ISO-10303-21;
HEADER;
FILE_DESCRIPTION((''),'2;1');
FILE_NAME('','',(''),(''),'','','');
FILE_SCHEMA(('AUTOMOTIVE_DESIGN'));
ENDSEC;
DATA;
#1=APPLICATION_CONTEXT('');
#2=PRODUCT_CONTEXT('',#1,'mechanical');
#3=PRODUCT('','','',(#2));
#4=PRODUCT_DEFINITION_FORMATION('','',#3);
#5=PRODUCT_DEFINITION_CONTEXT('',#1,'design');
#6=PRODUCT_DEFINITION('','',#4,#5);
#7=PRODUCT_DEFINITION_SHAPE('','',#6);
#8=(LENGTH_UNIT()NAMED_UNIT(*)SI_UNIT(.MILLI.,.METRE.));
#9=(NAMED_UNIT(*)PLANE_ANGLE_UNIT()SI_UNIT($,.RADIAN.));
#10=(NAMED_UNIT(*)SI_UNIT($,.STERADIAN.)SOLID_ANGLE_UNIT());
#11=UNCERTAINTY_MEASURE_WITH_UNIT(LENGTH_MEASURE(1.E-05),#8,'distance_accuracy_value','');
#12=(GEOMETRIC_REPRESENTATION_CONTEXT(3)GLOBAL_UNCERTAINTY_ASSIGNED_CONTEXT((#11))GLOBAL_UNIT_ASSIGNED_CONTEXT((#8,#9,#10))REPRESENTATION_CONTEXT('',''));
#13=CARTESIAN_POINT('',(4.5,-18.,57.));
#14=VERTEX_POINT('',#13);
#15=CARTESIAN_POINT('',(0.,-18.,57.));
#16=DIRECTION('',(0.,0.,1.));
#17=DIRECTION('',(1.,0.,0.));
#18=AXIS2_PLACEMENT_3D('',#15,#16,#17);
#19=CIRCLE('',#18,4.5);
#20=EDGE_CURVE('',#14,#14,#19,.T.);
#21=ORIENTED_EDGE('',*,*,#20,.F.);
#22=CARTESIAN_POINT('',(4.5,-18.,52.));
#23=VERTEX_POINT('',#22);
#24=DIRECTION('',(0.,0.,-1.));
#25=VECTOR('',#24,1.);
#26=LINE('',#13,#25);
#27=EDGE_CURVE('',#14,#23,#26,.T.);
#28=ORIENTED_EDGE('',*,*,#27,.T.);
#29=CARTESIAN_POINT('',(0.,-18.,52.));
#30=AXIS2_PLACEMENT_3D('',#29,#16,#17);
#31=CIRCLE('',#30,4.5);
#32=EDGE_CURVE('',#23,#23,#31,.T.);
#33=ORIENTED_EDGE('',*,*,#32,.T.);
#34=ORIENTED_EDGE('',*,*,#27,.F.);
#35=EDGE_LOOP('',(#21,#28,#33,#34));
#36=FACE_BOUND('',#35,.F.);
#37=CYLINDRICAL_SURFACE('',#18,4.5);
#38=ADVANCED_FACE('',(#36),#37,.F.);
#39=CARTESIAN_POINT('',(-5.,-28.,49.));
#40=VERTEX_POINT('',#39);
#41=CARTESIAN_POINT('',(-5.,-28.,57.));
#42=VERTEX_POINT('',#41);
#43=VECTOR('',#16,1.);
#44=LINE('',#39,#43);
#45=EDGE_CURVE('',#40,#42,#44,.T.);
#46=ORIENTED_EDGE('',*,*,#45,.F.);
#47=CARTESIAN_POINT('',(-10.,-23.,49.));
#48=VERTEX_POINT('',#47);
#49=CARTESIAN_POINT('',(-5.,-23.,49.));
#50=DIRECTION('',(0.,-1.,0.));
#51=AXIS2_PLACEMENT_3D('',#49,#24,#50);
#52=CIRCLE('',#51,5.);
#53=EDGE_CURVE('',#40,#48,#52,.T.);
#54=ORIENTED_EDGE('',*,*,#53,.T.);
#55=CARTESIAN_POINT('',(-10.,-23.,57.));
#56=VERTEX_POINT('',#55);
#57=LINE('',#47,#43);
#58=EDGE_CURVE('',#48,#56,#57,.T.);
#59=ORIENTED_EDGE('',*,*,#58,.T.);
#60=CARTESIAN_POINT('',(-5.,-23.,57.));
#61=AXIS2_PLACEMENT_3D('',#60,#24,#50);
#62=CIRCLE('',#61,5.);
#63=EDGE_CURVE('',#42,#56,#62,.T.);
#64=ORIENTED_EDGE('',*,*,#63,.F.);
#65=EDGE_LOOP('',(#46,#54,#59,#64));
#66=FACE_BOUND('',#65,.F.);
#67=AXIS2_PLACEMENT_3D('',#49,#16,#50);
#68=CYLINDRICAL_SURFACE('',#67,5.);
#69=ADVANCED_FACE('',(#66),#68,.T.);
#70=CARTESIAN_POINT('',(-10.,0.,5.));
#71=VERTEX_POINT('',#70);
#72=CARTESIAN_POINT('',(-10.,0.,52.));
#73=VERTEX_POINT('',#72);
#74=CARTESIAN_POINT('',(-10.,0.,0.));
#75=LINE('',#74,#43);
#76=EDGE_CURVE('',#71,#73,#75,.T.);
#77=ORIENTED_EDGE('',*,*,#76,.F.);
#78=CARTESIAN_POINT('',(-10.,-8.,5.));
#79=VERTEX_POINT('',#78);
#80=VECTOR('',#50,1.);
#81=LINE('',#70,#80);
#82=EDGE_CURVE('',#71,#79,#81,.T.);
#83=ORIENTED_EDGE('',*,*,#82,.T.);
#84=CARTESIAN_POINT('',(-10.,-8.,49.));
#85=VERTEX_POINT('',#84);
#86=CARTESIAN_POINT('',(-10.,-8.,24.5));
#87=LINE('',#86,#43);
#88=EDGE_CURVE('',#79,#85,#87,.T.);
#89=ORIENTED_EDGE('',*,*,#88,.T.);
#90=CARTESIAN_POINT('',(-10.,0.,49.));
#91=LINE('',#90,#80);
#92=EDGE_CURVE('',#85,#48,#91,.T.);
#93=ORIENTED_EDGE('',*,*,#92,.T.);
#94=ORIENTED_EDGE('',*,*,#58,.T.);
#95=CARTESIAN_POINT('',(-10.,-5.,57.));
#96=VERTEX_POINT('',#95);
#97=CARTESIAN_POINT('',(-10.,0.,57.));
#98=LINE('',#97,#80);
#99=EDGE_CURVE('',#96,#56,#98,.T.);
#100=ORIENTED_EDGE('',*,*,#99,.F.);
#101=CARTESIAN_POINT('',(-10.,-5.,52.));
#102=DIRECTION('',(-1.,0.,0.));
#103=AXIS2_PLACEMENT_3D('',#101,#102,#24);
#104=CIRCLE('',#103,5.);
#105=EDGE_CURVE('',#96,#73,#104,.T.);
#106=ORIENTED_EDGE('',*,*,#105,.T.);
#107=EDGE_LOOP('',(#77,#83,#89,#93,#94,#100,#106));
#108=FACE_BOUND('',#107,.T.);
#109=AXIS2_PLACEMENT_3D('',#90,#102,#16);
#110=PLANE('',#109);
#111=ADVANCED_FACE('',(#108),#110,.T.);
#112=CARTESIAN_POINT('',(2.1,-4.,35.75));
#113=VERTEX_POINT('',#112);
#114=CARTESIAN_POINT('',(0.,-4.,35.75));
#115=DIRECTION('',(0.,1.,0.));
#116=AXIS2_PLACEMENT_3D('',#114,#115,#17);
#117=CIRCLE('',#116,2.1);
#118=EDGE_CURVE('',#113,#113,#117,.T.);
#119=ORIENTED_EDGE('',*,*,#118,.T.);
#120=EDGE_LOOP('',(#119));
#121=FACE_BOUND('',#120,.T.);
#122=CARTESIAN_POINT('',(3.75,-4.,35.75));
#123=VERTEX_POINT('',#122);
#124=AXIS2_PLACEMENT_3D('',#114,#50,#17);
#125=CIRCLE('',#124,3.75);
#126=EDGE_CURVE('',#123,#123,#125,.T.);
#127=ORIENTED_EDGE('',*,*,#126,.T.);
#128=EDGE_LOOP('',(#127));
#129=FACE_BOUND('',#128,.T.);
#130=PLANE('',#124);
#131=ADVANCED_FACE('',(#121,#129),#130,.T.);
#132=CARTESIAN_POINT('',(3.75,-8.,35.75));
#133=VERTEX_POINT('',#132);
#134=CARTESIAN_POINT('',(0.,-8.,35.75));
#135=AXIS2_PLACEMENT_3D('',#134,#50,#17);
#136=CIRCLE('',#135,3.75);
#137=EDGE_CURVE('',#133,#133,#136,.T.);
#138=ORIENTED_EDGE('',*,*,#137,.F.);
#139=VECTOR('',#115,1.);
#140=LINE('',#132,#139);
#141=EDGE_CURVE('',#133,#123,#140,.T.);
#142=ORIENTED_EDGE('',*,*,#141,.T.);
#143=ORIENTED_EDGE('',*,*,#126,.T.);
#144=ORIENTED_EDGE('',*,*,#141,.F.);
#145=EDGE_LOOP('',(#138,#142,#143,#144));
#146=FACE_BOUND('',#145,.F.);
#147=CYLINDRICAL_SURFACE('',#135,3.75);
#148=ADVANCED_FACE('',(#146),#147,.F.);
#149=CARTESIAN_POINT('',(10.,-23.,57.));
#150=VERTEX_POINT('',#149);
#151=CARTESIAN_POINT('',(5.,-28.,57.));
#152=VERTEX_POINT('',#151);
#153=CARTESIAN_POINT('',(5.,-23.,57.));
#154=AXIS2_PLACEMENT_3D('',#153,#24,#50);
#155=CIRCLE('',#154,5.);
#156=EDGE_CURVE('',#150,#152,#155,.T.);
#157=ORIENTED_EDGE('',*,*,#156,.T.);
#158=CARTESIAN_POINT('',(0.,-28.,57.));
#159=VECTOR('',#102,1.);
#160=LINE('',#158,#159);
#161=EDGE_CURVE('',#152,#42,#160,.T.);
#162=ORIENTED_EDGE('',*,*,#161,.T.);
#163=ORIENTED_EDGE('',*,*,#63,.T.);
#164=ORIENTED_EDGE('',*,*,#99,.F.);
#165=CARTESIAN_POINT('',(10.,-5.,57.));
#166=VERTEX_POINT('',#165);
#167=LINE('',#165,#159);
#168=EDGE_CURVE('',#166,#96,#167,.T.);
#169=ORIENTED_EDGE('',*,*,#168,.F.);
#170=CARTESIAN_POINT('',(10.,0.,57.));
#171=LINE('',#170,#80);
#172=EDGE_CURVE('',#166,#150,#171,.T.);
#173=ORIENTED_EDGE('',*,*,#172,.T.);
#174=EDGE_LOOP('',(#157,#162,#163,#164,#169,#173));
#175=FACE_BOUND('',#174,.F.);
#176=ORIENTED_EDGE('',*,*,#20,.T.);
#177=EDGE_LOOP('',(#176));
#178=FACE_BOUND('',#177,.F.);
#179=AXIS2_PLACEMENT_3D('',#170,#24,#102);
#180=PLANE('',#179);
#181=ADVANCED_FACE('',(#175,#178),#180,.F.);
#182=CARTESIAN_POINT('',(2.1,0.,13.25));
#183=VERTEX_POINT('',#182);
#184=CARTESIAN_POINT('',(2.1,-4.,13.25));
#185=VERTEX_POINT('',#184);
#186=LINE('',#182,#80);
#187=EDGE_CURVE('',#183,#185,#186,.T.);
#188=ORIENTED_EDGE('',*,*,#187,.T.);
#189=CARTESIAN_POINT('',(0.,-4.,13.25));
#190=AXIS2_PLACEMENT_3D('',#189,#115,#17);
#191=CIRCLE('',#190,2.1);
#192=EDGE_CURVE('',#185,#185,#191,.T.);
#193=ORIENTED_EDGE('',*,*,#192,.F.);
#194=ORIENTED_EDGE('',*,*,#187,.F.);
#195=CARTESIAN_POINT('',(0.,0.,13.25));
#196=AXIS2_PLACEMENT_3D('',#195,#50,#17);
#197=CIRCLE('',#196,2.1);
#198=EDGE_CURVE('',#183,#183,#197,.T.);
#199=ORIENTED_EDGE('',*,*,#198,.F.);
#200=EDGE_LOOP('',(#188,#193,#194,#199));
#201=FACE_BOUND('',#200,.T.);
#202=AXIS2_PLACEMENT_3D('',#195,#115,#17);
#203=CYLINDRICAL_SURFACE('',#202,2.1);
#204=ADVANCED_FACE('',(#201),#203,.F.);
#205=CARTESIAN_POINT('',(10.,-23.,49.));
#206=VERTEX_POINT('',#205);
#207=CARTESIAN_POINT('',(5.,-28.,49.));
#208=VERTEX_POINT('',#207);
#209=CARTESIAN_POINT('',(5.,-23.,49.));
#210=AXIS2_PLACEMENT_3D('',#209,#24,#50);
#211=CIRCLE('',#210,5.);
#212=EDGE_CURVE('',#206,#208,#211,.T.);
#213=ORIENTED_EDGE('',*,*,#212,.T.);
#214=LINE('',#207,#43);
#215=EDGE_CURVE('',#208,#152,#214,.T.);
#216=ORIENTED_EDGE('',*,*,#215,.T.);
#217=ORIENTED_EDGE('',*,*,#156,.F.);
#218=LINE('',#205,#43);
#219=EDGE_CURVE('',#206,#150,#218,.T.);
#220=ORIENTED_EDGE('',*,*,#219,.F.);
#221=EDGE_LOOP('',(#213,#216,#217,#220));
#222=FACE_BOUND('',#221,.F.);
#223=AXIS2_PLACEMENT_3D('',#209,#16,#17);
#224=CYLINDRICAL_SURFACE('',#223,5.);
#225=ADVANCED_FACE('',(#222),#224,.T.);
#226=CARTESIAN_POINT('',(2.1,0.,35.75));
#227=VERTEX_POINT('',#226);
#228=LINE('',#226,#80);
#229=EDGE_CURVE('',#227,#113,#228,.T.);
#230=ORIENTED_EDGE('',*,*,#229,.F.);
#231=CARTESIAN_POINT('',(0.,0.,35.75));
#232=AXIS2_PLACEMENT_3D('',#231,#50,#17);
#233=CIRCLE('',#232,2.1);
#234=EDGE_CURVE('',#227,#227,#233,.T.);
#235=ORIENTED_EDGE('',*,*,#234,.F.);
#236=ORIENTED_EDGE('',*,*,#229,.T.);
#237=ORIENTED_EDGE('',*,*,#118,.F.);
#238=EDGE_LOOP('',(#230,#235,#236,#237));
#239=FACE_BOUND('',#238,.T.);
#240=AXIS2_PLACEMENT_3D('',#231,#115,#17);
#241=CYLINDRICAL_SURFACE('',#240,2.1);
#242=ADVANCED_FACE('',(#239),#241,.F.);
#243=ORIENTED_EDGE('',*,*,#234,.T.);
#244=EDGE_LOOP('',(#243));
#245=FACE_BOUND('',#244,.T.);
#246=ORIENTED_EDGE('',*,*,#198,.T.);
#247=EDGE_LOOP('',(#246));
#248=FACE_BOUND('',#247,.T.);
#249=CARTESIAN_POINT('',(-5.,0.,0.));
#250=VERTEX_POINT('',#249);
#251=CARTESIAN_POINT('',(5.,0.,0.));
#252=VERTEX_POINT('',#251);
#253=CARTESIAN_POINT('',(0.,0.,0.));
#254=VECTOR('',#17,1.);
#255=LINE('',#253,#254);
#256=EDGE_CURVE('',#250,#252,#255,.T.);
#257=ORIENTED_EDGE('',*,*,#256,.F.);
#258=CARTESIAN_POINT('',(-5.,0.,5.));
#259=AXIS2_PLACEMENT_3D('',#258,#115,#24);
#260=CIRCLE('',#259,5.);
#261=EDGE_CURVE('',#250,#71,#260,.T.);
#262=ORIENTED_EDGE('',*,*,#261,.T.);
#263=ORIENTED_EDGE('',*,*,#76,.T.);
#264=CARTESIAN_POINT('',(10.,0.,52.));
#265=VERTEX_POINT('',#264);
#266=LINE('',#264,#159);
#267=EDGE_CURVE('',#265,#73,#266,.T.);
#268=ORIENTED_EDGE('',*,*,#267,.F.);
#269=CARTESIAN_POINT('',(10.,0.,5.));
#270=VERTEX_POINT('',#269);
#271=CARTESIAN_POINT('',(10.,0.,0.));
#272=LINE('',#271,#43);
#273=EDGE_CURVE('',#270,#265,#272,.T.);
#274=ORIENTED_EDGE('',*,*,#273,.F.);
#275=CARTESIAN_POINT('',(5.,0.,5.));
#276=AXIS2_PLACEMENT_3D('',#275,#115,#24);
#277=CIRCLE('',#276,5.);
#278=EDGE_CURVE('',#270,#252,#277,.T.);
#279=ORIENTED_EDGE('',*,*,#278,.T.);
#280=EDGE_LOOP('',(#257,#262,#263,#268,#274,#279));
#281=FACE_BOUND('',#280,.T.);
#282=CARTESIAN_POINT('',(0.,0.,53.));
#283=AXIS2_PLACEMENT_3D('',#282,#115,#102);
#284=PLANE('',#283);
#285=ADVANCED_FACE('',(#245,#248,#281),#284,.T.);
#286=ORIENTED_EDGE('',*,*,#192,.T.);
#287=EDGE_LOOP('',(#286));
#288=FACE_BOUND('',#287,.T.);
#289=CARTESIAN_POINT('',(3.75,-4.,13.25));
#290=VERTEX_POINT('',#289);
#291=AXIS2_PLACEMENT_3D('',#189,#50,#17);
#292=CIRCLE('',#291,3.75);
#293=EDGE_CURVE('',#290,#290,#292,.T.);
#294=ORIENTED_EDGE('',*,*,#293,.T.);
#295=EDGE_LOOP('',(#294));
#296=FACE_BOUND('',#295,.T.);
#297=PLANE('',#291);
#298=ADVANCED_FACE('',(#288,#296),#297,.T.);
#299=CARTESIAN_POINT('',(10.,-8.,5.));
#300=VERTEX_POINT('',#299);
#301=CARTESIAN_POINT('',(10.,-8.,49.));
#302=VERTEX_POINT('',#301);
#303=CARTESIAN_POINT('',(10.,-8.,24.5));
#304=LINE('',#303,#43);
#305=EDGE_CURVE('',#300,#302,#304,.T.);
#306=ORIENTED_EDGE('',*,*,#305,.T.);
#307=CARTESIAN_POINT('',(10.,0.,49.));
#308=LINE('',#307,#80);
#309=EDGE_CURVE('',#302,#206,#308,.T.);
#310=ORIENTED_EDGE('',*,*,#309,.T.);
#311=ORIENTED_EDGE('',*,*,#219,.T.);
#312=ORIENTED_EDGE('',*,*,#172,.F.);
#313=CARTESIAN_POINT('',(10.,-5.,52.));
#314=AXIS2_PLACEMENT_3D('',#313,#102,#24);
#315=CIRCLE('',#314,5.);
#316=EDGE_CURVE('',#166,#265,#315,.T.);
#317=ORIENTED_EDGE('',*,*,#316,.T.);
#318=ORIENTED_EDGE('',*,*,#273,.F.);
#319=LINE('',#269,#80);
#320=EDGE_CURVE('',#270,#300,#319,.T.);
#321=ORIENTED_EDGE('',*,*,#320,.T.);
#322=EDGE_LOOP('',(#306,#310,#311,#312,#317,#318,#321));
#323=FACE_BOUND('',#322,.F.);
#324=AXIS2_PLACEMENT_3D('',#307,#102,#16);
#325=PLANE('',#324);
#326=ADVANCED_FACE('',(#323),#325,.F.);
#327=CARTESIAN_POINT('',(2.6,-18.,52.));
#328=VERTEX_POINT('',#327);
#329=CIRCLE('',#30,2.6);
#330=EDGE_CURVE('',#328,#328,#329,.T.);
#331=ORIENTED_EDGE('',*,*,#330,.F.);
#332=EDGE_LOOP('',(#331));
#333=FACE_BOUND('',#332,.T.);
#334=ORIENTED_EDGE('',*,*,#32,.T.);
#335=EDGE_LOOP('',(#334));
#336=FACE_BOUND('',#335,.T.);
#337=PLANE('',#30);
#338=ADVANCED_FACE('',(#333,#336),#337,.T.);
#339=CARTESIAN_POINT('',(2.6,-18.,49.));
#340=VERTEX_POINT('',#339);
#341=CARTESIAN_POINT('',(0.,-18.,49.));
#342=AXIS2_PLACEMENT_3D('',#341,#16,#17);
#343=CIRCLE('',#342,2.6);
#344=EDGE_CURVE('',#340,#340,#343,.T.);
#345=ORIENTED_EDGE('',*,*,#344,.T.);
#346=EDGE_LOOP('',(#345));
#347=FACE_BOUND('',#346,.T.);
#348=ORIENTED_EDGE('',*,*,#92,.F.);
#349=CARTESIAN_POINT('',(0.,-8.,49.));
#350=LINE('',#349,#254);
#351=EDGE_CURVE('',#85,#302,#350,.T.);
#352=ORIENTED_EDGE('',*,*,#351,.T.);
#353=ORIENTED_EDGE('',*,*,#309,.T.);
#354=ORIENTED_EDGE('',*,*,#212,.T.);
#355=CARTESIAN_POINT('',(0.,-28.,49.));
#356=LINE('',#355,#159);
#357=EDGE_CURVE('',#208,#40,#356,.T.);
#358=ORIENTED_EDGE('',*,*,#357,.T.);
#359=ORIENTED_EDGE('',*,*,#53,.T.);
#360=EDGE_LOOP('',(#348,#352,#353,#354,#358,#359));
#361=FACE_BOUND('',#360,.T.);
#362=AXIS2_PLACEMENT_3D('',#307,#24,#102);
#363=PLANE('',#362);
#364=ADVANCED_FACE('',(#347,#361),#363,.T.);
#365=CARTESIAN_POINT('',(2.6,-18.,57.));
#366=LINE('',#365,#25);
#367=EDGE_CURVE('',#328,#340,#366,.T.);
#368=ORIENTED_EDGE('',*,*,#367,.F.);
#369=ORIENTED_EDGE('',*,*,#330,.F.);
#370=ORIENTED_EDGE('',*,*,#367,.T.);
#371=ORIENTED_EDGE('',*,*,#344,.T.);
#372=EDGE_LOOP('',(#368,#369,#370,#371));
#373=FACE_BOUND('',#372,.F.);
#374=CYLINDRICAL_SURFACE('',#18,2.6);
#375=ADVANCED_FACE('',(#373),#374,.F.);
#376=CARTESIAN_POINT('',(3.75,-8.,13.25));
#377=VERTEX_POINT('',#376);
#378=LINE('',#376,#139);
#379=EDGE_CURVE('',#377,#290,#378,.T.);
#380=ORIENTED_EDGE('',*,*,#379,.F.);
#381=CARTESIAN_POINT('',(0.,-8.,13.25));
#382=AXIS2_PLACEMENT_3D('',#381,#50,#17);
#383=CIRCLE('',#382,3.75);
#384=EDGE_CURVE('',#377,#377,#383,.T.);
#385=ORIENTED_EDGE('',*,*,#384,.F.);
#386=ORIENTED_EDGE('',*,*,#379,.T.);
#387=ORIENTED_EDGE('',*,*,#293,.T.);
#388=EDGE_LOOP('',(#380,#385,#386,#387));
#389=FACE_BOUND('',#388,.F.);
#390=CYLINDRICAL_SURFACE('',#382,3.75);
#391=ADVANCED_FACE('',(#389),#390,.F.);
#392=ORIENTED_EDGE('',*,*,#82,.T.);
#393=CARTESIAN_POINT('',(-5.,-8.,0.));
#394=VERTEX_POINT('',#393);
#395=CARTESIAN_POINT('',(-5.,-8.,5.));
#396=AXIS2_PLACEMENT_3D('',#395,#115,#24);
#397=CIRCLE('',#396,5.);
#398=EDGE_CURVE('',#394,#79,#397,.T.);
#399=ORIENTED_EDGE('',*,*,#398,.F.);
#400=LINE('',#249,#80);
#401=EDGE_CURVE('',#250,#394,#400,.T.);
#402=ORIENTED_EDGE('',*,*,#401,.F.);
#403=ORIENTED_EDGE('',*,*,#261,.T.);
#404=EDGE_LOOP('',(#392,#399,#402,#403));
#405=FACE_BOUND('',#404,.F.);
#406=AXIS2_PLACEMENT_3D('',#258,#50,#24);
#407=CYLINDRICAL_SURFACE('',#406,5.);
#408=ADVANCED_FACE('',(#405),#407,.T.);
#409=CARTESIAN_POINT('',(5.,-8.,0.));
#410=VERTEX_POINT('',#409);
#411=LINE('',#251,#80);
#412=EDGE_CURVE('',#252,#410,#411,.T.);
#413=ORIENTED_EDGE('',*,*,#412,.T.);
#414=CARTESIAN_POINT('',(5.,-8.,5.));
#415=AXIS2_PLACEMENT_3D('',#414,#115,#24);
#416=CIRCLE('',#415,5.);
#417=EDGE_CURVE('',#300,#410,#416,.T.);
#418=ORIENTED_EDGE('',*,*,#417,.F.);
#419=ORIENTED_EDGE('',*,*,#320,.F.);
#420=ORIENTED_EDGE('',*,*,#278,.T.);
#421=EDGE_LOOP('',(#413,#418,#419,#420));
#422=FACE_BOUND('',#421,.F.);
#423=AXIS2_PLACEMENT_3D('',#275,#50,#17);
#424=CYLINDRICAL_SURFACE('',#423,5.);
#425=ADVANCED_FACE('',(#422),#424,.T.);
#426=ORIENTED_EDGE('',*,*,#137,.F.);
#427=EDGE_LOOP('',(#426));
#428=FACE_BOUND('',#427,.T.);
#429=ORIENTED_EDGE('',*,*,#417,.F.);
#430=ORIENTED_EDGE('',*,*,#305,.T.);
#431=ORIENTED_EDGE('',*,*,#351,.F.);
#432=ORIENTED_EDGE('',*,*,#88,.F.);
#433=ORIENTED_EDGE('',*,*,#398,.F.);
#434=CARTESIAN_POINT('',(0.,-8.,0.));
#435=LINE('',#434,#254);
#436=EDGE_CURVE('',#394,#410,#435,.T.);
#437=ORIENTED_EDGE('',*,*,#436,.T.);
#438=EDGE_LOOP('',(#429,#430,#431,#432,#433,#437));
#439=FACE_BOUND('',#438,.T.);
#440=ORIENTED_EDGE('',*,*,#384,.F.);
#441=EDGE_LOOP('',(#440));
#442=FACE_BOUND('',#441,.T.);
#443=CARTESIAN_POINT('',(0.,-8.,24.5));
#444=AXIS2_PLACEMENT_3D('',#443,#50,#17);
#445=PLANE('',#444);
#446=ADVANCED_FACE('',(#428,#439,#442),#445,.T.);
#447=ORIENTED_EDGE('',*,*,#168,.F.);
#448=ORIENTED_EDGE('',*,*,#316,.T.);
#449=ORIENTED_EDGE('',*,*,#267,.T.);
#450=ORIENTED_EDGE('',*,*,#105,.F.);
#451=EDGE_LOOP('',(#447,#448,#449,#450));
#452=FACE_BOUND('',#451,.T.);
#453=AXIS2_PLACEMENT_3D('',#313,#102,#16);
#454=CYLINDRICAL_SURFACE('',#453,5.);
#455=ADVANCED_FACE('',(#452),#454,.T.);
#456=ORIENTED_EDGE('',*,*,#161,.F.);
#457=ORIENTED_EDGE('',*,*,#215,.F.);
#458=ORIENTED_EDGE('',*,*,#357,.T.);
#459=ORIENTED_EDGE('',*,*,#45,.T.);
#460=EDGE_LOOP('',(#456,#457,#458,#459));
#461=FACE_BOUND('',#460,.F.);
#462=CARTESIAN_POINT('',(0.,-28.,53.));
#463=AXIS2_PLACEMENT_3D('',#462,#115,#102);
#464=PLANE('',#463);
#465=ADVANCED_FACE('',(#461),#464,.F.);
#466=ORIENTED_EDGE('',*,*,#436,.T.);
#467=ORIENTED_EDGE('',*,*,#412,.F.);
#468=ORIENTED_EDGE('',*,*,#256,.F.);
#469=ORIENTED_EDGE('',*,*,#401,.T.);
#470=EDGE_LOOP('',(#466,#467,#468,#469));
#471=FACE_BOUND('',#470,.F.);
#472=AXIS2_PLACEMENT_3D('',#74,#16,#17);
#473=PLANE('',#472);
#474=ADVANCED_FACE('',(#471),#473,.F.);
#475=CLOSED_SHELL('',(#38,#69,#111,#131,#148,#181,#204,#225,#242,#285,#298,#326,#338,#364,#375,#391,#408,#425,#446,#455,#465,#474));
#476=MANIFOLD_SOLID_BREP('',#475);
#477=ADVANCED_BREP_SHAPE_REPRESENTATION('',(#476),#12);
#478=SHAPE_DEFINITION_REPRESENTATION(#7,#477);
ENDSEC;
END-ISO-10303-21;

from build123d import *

# Parameters (mm, degrees)
F0_W     = 20
F0_H     = 49
F0_R     = 2.1
F1_DEPTH = 8
F2_R     = 3.75
F3_DEPTH = 4
F4_W     = 20
F4_H     = 8
F5_DEPTH = 28
F6_R     = 2.6
F7_DEPTH = 57.001
F8_R     = 4.5
F9_DEPTH = 5
F10_R    = 5


with BuildPart() as f1:
    # F0 (on Front) → F1 (new body)
    with BuildSketch(Plane.XZ):
        with Locations((0, 24.5)):
            Rectangle(F0_W, F0_H)
        with Locations((0, 13.25)):
            Circle(F0_R, mode=Mode.SUBTRACT)
        with Locations((0, 35.75)):
            Circle(F0_R, mode=Mode.SUBTRACT)
    extrude(amount=F1_DEPTH)

    # F2 (on face) → F3 (cut)
    with BuildSketch(Plane.XZ.offset(8)):
        with Locations((0, 35.75)):
            Circle(F2_R)
        with Locations((0, 13.25)):
            Circle(F2_R)
    extrude(amount=-F3_DEPTH, mode=Mode.SUBTRACT)

    # F4 (on face) → F5 (join)
    with BuildSketch(Plane(origin=(0, 0, 0), x_dir=(-1, 0, 0), z_dir=(0, 1, 0))):
        with Locations((0, 53)):
            Rectangle(F4_W, F4_H)
    extrude(amount=-F5_DEPTH)

    # F6 (on face) → F7 (cut, through all)
    with BuildSketch(Plane.XY.offset(57)):
        with Locations((0, -18)):
            Circle(F6_R)
    extrude(amount=-F7_DEPTH, mode=Mode.SUBTRACT)

    # F8 (on face) → F9 (cut)
    with BuildSketch(Plane.XY.offset(57)):
        with Locations((0, -18)):
            Circle(F8_R)
    extrude(amount=-F9_DEPTH, mode=Mode.SUBTRACT)

    # F10
    f10_edges = [f1.edges().sort_by_distance(p)[0] for p in [
        (10, -28, 53),
        (-10, -28, 53),
        (0, 0, 57),
        (10, -4, 0),
        (-10, -4, 0),
    ]]
    fillet(f10_edges, radius=F10_R)


solid = f1.part
